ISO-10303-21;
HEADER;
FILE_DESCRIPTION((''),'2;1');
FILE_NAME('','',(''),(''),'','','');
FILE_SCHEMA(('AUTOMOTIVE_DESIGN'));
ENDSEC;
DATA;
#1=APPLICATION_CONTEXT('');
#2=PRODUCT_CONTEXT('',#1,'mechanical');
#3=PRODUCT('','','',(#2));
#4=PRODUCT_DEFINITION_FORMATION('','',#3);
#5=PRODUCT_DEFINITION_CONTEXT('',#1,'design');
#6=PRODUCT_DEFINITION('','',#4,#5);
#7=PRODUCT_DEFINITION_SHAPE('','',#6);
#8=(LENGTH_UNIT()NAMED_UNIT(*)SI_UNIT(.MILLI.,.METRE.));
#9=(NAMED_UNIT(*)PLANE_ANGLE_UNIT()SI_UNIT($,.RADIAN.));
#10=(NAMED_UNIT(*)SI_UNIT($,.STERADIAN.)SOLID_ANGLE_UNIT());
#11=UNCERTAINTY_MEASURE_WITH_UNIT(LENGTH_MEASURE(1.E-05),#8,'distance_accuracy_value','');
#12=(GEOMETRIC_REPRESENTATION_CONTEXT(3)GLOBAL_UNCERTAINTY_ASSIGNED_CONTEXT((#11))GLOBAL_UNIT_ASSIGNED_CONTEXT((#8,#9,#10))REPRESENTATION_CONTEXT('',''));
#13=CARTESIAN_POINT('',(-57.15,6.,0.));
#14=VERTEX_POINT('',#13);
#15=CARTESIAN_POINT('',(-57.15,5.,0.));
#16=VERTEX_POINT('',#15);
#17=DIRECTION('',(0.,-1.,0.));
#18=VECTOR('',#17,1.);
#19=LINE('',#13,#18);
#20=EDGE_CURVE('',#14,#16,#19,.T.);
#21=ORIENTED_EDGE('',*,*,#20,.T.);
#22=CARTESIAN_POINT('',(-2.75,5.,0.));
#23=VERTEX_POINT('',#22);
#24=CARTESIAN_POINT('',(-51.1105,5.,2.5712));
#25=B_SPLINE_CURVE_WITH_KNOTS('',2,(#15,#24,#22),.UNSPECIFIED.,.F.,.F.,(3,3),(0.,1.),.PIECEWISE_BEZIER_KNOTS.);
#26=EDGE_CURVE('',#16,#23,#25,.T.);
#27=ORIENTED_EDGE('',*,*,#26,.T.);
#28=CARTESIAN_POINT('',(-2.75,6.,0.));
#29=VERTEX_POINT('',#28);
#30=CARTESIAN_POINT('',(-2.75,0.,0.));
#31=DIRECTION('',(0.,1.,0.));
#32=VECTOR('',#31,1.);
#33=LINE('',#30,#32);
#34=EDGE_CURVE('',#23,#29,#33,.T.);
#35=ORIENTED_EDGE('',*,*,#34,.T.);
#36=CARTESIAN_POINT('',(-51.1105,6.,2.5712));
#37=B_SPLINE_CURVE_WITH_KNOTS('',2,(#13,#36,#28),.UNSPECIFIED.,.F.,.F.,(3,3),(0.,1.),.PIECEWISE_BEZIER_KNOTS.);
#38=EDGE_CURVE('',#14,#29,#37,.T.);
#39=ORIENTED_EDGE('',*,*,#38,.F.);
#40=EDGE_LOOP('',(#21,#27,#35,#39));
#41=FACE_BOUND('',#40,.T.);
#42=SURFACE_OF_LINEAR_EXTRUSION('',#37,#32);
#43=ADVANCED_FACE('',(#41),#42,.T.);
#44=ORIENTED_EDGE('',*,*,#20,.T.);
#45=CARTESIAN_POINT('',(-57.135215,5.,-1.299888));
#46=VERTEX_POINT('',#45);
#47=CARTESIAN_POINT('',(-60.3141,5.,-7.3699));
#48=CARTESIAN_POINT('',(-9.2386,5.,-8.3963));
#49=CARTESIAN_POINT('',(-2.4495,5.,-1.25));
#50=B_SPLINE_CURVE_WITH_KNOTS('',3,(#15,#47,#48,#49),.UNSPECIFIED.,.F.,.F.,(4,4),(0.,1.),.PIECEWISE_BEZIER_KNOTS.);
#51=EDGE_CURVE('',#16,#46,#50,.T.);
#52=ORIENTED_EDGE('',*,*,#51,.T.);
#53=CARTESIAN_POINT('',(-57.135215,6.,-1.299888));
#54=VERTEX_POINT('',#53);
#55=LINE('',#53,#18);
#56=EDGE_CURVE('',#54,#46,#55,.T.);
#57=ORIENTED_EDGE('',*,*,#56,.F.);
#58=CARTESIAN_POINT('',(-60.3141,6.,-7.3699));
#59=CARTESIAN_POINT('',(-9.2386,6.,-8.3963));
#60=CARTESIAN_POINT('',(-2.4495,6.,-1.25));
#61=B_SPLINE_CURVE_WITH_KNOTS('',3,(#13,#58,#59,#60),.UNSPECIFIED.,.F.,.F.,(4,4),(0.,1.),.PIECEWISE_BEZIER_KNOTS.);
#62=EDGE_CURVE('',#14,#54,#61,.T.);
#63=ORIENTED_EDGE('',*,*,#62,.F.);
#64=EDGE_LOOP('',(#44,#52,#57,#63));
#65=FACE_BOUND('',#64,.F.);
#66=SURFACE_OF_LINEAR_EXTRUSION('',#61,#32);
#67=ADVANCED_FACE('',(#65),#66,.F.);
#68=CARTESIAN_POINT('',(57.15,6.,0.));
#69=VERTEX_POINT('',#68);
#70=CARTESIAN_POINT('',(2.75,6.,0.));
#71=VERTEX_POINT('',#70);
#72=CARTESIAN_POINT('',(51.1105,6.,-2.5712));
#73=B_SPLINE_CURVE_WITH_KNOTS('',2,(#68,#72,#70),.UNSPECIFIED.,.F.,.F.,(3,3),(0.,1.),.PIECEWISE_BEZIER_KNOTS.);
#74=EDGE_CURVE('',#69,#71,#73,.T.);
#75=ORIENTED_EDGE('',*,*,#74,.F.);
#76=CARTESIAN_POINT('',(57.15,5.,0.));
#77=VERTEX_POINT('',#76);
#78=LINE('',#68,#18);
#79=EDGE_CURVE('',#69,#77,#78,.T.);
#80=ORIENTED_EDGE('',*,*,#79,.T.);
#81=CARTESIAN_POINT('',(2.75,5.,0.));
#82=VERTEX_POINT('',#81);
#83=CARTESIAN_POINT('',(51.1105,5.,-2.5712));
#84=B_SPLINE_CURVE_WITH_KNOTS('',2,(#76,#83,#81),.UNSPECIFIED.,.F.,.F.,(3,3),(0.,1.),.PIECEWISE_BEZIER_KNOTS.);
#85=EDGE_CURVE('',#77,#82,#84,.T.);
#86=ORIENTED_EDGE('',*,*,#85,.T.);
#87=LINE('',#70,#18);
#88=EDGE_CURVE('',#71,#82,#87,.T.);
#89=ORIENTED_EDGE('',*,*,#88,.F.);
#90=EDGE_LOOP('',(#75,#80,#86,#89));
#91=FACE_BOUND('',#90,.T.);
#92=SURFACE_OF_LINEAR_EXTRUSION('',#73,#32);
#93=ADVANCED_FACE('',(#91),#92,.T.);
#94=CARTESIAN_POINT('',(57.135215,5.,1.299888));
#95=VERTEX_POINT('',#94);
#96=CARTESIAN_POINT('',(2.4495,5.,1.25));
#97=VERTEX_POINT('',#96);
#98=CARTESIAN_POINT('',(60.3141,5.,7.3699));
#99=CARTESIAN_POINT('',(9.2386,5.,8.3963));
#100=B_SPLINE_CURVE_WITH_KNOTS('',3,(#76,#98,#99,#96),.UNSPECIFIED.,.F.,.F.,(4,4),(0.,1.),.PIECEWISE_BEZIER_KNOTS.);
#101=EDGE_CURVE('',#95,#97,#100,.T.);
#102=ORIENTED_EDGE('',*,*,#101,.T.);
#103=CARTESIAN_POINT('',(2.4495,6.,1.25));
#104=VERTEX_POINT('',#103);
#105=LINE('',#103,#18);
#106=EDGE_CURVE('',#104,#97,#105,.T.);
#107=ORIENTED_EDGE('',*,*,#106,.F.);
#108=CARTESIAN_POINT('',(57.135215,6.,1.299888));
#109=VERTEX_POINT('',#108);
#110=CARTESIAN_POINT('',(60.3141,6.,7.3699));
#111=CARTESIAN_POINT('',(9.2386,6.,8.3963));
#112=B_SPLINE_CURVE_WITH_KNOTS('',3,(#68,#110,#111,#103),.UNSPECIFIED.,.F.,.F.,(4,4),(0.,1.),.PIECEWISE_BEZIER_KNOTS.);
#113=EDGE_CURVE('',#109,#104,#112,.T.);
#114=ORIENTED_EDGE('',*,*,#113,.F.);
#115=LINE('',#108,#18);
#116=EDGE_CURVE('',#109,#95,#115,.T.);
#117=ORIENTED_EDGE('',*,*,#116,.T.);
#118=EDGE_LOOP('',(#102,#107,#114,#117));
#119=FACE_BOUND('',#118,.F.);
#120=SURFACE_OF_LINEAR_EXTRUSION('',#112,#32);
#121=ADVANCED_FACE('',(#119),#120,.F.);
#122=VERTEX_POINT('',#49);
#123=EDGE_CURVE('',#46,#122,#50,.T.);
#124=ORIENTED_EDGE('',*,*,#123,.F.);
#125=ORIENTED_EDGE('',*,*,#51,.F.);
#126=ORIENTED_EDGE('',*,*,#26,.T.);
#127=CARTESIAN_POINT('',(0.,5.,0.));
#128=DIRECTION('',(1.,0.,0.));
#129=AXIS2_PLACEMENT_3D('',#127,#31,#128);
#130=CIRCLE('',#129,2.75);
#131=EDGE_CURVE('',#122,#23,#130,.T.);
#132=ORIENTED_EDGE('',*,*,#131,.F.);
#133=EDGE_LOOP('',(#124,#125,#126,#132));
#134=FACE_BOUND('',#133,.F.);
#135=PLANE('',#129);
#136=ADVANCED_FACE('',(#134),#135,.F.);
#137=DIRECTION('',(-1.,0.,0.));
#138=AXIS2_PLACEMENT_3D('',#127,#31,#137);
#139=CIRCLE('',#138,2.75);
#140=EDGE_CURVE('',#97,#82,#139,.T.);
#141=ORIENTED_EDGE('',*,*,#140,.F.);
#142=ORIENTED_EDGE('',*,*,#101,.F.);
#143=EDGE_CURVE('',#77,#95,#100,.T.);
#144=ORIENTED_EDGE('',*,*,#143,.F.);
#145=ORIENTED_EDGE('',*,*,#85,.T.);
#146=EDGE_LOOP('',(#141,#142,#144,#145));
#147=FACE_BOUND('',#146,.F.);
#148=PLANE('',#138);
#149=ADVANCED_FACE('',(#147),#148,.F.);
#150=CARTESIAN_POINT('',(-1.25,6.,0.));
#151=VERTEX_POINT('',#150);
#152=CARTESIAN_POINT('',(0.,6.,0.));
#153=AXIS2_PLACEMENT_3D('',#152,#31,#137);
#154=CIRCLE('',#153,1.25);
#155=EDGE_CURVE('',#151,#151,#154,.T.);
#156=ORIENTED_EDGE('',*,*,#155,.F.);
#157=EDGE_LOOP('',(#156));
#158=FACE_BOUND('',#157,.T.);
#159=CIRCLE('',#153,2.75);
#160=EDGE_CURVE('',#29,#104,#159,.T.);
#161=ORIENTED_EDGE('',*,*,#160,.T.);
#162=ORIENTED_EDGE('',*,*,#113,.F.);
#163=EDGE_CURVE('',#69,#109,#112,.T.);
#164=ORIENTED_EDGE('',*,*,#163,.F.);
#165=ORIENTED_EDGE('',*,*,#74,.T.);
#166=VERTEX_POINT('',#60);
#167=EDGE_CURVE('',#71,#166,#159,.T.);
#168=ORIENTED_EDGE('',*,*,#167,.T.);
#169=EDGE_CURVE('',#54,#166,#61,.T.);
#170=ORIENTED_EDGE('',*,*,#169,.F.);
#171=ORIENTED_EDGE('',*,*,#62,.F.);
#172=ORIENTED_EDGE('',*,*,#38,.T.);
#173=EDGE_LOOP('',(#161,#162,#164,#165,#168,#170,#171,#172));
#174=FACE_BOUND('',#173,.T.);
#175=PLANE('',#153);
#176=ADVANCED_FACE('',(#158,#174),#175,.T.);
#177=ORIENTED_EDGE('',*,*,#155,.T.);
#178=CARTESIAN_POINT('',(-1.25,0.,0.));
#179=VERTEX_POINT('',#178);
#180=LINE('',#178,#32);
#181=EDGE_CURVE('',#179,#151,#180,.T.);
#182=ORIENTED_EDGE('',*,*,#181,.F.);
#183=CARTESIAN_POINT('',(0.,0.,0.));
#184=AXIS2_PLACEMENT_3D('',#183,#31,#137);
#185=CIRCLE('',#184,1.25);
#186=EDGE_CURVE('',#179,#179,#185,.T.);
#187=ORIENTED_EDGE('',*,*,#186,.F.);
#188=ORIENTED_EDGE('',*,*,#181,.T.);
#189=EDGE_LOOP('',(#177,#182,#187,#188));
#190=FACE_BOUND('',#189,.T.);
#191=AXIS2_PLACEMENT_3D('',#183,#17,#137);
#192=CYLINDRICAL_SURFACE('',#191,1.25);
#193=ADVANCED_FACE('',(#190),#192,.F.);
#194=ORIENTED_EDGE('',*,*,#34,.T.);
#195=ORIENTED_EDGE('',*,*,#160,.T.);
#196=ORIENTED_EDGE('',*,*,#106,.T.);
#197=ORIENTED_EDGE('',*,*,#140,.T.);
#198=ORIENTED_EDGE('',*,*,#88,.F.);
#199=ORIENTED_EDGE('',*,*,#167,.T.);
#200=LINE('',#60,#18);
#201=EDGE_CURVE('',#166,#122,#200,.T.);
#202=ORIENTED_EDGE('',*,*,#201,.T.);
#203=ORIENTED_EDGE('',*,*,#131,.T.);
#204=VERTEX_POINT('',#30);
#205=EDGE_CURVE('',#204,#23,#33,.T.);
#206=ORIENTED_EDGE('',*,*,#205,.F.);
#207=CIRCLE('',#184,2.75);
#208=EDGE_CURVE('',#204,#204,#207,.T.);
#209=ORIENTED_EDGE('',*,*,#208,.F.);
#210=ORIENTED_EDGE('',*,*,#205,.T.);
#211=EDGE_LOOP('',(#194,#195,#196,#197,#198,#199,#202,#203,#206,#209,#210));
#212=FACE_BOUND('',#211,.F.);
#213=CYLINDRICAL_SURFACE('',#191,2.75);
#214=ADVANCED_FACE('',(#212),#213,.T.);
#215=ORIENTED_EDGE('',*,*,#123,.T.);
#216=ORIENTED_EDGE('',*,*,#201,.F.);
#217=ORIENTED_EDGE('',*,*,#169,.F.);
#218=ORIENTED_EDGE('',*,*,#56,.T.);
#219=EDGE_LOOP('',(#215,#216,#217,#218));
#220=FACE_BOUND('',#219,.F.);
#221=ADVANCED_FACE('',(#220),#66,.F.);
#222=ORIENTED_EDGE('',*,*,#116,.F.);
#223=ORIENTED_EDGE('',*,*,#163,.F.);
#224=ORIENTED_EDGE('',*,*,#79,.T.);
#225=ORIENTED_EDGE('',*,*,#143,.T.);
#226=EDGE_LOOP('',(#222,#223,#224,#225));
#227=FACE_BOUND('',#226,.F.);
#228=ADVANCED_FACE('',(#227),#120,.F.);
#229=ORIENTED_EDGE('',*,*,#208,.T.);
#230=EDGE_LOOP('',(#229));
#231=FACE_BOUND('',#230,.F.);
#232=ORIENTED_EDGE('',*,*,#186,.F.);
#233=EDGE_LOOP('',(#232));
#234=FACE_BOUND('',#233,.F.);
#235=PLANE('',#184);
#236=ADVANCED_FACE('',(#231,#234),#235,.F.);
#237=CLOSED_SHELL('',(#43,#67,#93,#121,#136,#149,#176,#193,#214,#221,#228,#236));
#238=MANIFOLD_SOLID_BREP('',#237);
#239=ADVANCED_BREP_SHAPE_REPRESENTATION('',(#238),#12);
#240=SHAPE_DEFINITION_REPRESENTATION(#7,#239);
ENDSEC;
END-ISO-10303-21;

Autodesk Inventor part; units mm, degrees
ref_plane "YZ Plane" through (0, 0, 0) normal (1, 0, 0) x (0, 1, 0)
ref_plane "XZ Plane" through (0, 0, 0) normal (0, 1, 0) x (-1, 0, 0)
ref_plane "XY Plane" through (0, 0, 0) normal (0, 0, 1) x (1, 0, 0)
sketch "Esquisse1" plane through (0, 0, 0) normal (0, 1, 0) x (-1, 0, 0)
  circle A0 centre (0, 0) radius 1.25
  circle A1 centre (0, 0) radius 2.75
  dimension "d0" = 2.5
  dimension "d1" = 5.5
extrude "Extrusion1" add sketch "Esquisse1" along normal blind 6
sketch "Esquisse2" plane through (0, 6, 0) normal (0, 1, 0) x (1, 0, 0)
  circle A0 centre (0, 0) radius 2.75 projected
  circle A1 centre (0, 0) radius 57.15
  spline S0 degree 3 poles (-57.15, 0) (-60.3141, 7.3699) (-9.2386, 8.3963) (-2.4495, 1.25) knots 0 0 0 0 1 1 1 1
  spline S1 degree 2 poles (-57.15, 0) (-51.1105, -2.5712) (-2.75, 0) knots 0 0 0 1 1 1
  point P0 (-55.0001, 3)
  point P1 (-25, 6)
  point P2 (-51, -1)
  dimension "d4" = 114.3
extrude "Extrusion2" add sketch "Esquisse2" against normal blind 1 contours A0 S1 A1 S0 | A1 S0 picked at (-21.1571, 1.4807)
pattern_circular "Réseau circulaire1" count 2 over 360 about axis through (0, 0, 0) along (0, -1, 0) of "Extrusion2"
properties part number "Helice 4.5x4.5" material "Plastique ABS"
